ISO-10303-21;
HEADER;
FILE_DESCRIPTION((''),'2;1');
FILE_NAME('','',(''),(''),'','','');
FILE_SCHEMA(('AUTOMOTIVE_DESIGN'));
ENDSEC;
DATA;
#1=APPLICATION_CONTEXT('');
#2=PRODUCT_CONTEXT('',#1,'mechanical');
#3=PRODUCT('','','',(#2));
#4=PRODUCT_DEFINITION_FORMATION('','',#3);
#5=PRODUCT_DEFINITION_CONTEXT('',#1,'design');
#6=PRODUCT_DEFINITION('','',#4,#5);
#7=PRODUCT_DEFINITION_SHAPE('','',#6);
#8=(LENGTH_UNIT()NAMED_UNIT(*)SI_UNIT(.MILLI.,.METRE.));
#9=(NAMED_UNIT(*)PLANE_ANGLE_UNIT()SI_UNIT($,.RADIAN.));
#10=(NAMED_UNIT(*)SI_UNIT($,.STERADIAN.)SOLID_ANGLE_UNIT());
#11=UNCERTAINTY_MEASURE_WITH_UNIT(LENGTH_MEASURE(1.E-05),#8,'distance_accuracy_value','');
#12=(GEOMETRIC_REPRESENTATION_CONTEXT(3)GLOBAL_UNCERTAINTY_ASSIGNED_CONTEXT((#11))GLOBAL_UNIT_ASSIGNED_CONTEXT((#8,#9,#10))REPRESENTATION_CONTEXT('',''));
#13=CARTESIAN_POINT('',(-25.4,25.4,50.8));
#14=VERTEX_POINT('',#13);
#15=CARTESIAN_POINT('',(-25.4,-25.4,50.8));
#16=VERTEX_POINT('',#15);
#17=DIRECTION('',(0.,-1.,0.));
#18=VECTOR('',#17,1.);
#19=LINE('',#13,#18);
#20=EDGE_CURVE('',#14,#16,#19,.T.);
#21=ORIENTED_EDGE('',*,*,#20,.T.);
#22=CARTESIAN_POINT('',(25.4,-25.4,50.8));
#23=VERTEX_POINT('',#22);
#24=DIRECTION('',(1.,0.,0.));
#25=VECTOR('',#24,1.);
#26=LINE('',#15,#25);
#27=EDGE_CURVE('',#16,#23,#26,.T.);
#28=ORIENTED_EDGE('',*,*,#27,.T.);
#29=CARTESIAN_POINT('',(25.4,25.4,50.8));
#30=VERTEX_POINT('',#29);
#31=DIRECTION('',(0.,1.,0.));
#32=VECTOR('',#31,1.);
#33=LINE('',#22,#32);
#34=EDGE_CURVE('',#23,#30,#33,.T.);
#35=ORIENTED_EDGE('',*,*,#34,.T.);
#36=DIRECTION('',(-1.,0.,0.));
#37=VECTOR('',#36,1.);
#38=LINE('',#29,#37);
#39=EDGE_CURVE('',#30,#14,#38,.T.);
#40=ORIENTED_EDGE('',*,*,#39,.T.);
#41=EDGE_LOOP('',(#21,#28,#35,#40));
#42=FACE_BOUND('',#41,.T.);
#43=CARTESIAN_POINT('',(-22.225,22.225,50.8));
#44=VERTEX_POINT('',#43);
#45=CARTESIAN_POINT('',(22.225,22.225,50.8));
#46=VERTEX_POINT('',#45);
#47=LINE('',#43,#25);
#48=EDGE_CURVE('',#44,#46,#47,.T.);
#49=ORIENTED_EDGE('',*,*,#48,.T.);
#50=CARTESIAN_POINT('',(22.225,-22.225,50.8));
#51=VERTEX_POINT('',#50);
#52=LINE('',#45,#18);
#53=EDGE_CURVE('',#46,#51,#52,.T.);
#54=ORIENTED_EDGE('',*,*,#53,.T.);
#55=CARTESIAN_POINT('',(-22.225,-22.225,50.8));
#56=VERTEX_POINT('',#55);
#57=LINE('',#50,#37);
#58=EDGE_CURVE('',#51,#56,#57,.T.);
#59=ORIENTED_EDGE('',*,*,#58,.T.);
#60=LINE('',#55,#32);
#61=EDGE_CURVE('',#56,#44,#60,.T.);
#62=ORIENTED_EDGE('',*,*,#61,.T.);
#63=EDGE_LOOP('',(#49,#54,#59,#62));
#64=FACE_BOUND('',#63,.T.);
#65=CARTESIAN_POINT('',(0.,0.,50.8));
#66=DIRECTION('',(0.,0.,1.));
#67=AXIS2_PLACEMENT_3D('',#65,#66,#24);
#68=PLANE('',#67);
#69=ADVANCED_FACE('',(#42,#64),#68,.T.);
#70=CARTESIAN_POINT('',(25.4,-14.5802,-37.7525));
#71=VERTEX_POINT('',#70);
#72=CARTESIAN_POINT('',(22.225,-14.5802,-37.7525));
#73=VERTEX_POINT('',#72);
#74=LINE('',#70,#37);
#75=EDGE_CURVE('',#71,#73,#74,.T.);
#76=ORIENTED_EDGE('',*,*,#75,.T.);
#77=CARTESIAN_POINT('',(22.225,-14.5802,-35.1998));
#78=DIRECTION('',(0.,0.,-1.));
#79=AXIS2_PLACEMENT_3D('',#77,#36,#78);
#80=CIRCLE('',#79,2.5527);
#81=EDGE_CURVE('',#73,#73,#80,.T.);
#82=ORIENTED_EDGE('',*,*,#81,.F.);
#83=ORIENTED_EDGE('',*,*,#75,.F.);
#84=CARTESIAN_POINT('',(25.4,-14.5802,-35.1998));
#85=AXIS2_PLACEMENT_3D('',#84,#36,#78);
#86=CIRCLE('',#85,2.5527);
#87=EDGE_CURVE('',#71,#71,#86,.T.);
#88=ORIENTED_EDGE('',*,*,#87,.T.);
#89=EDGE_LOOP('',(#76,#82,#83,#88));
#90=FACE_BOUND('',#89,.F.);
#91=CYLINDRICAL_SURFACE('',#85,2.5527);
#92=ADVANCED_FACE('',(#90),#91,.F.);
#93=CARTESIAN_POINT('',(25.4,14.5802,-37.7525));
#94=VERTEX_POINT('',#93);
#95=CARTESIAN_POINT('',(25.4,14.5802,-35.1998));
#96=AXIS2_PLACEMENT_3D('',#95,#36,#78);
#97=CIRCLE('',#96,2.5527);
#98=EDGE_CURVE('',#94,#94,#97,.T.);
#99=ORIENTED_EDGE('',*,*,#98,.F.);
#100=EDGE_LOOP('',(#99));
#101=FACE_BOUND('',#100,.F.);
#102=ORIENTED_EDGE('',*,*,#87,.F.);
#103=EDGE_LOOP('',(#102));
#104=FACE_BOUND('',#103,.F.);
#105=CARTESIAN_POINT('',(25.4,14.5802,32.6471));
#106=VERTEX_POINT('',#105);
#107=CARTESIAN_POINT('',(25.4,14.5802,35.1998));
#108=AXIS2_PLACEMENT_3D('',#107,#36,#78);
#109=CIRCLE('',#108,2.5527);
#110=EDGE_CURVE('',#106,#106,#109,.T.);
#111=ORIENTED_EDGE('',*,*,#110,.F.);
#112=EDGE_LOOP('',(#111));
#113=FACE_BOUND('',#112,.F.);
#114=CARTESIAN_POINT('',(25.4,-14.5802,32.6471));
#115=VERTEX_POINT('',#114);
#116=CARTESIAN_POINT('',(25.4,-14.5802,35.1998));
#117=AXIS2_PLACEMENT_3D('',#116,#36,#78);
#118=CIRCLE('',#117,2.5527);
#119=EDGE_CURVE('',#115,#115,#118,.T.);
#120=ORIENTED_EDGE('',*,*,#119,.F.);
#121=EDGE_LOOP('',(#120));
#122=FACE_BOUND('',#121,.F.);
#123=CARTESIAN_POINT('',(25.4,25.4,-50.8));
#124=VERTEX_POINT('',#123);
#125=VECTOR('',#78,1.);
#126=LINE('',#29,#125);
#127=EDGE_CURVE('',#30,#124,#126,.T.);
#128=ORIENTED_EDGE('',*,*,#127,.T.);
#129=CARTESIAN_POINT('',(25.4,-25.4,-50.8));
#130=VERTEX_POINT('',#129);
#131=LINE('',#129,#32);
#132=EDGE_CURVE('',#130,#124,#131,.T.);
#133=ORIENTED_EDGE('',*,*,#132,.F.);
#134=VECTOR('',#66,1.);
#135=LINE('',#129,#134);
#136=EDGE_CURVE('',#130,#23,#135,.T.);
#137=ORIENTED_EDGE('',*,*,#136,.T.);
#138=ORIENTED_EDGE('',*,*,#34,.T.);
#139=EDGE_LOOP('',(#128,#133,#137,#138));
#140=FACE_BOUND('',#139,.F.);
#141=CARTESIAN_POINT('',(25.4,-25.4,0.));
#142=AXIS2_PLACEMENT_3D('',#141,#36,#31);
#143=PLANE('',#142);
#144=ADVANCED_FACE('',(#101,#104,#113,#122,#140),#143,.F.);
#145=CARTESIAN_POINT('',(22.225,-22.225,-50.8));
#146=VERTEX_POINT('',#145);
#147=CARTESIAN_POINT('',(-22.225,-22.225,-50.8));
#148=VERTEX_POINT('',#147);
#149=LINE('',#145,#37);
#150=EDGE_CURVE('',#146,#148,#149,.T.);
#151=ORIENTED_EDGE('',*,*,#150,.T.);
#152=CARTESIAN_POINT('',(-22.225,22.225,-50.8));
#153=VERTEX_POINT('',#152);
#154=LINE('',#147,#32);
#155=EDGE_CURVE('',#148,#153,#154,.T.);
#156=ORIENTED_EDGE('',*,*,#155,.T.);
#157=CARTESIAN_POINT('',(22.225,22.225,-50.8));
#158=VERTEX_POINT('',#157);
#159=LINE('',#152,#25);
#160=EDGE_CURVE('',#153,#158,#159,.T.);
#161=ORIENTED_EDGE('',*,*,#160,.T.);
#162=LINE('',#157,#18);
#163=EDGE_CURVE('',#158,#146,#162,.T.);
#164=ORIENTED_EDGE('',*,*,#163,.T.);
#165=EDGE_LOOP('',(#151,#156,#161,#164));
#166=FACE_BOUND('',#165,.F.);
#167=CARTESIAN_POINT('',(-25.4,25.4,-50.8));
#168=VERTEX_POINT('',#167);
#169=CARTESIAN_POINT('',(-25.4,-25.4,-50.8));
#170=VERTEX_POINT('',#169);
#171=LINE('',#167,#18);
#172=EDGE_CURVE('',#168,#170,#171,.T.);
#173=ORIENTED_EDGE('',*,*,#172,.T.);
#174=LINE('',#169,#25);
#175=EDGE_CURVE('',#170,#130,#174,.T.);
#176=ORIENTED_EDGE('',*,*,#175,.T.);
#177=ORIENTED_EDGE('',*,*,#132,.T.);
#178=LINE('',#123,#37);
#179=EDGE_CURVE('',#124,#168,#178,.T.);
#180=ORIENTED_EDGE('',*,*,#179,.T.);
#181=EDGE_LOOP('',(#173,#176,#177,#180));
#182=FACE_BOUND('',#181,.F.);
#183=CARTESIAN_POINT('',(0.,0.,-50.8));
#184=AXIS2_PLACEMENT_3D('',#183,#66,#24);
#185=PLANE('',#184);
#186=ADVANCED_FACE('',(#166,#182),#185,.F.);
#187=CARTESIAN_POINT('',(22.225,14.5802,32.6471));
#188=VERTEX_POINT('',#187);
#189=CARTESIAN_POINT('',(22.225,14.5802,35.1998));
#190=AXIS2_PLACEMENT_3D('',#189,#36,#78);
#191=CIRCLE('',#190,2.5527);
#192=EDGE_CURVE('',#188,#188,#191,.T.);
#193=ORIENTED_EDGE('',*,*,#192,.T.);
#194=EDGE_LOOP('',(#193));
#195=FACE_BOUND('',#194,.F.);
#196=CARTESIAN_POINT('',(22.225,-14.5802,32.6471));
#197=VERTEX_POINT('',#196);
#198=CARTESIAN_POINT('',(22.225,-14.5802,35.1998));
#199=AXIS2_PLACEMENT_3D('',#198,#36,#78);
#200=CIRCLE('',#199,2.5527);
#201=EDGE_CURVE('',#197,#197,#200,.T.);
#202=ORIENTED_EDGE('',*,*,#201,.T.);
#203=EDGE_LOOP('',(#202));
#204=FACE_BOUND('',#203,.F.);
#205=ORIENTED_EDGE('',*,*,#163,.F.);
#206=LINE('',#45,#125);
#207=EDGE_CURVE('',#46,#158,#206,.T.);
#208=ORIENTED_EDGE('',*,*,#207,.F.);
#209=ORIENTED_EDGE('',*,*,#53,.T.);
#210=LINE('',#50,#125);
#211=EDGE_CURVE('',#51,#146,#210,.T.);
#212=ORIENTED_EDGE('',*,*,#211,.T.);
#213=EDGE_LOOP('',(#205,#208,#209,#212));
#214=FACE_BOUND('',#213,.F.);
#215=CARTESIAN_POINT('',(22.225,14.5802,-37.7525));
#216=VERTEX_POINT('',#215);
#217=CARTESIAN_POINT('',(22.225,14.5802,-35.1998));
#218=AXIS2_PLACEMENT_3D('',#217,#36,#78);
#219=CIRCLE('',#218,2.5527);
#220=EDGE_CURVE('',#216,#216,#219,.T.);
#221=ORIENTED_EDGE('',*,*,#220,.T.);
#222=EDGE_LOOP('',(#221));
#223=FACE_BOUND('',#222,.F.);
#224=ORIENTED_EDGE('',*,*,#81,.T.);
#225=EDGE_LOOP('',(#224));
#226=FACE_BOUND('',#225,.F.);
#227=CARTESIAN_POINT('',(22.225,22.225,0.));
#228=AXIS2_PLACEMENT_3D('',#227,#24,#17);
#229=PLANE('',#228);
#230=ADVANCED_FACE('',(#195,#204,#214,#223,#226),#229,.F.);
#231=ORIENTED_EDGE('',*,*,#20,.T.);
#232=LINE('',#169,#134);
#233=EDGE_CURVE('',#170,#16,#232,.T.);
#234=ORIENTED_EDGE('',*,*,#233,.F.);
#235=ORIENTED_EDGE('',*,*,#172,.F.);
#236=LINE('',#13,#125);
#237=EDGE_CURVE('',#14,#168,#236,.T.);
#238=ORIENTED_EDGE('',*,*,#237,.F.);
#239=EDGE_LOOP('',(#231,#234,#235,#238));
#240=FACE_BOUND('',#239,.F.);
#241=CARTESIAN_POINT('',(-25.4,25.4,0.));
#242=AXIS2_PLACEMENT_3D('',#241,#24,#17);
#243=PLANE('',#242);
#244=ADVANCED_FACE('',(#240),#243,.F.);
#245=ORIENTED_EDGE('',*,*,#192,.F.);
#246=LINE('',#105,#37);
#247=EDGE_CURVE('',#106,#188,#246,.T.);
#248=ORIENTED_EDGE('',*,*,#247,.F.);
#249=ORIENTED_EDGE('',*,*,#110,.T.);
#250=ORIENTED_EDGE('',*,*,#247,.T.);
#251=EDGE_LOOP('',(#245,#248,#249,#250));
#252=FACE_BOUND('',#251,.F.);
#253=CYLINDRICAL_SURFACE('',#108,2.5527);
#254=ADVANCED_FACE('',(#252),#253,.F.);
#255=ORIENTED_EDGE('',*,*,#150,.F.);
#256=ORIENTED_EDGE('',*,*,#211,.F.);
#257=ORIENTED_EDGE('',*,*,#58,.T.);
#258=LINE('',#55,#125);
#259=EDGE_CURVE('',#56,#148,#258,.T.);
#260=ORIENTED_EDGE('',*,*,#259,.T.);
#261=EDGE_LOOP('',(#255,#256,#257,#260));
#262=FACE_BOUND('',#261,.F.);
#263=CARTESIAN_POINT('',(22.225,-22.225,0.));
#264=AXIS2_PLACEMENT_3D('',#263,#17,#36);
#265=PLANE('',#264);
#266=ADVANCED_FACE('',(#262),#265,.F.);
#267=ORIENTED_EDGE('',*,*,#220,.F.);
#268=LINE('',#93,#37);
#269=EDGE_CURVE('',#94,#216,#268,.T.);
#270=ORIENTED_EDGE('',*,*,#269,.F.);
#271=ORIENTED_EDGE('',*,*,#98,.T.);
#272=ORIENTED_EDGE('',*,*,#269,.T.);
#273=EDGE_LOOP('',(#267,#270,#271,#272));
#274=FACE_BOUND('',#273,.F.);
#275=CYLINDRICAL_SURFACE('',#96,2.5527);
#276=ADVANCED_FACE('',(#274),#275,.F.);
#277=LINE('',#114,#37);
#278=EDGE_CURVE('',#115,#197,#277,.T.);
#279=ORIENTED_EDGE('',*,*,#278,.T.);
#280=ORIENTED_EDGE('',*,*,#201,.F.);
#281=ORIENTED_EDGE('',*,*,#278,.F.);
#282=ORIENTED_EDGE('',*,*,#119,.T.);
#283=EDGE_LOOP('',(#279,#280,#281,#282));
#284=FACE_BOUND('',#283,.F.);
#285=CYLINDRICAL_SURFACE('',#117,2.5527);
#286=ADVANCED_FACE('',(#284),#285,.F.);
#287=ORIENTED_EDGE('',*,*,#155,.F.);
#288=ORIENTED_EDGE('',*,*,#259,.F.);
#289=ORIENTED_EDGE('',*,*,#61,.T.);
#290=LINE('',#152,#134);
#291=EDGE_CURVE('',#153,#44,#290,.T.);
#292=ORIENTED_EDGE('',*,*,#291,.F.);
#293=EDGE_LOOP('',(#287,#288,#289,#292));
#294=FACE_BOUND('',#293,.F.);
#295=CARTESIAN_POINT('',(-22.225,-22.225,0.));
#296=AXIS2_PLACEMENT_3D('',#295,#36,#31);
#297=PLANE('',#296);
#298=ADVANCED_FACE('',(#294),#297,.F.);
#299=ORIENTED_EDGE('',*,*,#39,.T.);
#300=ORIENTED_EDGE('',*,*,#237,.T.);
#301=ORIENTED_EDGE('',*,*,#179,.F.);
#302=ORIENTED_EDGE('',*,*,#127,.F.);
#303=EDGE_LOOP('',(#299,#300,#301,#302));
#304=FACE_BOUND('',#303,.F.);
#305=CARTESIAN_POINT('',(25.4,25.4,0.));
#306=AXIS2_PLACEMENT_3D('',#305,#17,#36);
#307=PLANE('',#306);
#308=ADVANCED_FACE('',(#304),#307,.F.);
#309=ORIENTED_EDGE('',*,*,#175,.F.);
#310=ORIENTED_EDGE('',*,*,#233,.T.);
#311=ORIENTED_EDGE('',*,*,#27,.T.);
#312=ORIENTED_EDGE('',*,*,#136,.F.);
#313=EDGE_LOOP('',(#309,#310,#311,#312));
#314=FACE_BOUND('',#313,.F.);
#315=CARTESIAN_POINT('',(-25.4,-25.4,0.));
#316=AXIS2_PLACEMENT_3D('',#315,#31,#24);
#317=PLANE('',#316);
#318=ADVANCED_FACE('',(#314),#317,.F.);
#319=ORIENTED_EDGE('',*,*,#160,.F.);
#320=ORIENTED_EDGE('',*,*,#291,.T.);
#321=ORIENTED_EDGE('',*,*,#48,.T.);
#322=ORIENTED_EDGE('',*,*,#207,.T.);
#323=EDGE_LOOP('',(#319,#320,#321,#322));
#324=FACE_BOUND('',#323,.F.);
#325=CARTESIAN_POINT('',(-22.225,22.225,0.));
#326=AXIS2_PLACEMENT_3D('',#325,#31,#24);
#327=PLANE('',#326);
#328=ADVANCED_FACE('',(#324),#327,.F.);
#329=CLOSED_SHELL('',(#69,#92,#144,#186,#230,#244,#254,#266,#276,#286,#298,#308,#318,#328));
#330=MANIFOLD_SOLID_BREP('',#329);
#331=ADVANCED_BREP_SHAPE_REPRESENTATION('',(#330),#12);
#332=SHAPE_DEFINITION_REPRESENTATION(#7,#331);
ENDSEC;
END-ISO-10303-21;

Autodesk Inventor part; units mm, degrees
ref_plane "YZ Plane" through (0, 0, 0) normal (1, 0, 0) x (0, 1, 0)
ref_plane "XZ Plane" through (0, 0, 0) normal (0, 1, 0) x (-1, 0, 0)
ref_plane "XY Plane" through (0, 0, 0) normal (0, 0, 1) x (1, 0, 0)
sketch "Sketch1" plane through (0, 0, 0) normal (0, 0, 1) x (1, 0, 0)
  line L0 (-25.4, -25.4) -> (25.4, -25.4)
  line L1 (25.4, -25.4) -> (25.4, 25.4)
  line L2 (25.4, 25.4) -> (-25.4, 25.4)
  line L3 (-25.4, 25.4) -> (-25.4, -25.4)
  line L4 (-25.4, -25.4) -> (25.4, 25.4) construction
  line L5 (25.4, -25.4) -> (-25.4, 25.4) construction
  line L6 (-22.225, 22.225) -> (22.225, 22.225)
  line L7 (22.225, 22.225) -> (22.225, -22.225)
  line L8 (22.225, -22.225) -> (-22.225, -22.225)
  line L9 (-22.225, -22.225) -> (-22.225, 22.225)
  point P0 (0, 0)
  dimension "width" = 50.8
  dimension "height" = 50.8
  dimension "thickness" = 3.175
extrude "Extrusion1" add sketch "Sketch1" along normal mid plane 101.6
sketch "Sketch2" plane through (25.4, -25.4, 50.8) normal (1, 0, 0) x (0, 0, -1)
  line L0 (101.6, 50.8) -> (101.6, 0) construction
  line L1 (101.6, 0) -> (0, 0) construction
  line L2 (0, 0) -> (0, 50.8) construction
  line L3 (0, 50.8) -> (101.6, 50.8) construction
  circle A0 centre (50.8, 25.4) radius 38.1 construction
  line L4 (36.2198, 60.5998) -> (65.3802, 60.5998) construction
  point P0 (15.6002, 39.9802)
  point P1 (15.6002, 10.8198)
  point P2 (36.2198, -9.7998)
  point P3 (65.3802, -9.7998)
  point P4 (85.9998, 10.8198)
  point P5 (85.9998, 39.9802)
  dimension "d5" = 76.2
  dimension "d8" = 360
hole "Hole1" at (25.4, 35.1998, -14.5802) at (25.4, 35.1998, 14.5802) at (25.4, 14.5802, 35.1998) at (25.4, -14.5802, 35.1998) at (25.4, -35.1998, 14.5802) at (25.4, -35.1998, -14.5802) at (25.4, -14.5802, -35.1998) at (25.4, 14.5802, -35.1998) direction (-1, 0, 0) diameter 5.1054 depth 3.175 clearance for "Flat Head Machine Screw (82)" size "#10" standard "Ansi Unified Screw Threads"
properties part number "EL2-A-007" material "Aluminum 6061"
